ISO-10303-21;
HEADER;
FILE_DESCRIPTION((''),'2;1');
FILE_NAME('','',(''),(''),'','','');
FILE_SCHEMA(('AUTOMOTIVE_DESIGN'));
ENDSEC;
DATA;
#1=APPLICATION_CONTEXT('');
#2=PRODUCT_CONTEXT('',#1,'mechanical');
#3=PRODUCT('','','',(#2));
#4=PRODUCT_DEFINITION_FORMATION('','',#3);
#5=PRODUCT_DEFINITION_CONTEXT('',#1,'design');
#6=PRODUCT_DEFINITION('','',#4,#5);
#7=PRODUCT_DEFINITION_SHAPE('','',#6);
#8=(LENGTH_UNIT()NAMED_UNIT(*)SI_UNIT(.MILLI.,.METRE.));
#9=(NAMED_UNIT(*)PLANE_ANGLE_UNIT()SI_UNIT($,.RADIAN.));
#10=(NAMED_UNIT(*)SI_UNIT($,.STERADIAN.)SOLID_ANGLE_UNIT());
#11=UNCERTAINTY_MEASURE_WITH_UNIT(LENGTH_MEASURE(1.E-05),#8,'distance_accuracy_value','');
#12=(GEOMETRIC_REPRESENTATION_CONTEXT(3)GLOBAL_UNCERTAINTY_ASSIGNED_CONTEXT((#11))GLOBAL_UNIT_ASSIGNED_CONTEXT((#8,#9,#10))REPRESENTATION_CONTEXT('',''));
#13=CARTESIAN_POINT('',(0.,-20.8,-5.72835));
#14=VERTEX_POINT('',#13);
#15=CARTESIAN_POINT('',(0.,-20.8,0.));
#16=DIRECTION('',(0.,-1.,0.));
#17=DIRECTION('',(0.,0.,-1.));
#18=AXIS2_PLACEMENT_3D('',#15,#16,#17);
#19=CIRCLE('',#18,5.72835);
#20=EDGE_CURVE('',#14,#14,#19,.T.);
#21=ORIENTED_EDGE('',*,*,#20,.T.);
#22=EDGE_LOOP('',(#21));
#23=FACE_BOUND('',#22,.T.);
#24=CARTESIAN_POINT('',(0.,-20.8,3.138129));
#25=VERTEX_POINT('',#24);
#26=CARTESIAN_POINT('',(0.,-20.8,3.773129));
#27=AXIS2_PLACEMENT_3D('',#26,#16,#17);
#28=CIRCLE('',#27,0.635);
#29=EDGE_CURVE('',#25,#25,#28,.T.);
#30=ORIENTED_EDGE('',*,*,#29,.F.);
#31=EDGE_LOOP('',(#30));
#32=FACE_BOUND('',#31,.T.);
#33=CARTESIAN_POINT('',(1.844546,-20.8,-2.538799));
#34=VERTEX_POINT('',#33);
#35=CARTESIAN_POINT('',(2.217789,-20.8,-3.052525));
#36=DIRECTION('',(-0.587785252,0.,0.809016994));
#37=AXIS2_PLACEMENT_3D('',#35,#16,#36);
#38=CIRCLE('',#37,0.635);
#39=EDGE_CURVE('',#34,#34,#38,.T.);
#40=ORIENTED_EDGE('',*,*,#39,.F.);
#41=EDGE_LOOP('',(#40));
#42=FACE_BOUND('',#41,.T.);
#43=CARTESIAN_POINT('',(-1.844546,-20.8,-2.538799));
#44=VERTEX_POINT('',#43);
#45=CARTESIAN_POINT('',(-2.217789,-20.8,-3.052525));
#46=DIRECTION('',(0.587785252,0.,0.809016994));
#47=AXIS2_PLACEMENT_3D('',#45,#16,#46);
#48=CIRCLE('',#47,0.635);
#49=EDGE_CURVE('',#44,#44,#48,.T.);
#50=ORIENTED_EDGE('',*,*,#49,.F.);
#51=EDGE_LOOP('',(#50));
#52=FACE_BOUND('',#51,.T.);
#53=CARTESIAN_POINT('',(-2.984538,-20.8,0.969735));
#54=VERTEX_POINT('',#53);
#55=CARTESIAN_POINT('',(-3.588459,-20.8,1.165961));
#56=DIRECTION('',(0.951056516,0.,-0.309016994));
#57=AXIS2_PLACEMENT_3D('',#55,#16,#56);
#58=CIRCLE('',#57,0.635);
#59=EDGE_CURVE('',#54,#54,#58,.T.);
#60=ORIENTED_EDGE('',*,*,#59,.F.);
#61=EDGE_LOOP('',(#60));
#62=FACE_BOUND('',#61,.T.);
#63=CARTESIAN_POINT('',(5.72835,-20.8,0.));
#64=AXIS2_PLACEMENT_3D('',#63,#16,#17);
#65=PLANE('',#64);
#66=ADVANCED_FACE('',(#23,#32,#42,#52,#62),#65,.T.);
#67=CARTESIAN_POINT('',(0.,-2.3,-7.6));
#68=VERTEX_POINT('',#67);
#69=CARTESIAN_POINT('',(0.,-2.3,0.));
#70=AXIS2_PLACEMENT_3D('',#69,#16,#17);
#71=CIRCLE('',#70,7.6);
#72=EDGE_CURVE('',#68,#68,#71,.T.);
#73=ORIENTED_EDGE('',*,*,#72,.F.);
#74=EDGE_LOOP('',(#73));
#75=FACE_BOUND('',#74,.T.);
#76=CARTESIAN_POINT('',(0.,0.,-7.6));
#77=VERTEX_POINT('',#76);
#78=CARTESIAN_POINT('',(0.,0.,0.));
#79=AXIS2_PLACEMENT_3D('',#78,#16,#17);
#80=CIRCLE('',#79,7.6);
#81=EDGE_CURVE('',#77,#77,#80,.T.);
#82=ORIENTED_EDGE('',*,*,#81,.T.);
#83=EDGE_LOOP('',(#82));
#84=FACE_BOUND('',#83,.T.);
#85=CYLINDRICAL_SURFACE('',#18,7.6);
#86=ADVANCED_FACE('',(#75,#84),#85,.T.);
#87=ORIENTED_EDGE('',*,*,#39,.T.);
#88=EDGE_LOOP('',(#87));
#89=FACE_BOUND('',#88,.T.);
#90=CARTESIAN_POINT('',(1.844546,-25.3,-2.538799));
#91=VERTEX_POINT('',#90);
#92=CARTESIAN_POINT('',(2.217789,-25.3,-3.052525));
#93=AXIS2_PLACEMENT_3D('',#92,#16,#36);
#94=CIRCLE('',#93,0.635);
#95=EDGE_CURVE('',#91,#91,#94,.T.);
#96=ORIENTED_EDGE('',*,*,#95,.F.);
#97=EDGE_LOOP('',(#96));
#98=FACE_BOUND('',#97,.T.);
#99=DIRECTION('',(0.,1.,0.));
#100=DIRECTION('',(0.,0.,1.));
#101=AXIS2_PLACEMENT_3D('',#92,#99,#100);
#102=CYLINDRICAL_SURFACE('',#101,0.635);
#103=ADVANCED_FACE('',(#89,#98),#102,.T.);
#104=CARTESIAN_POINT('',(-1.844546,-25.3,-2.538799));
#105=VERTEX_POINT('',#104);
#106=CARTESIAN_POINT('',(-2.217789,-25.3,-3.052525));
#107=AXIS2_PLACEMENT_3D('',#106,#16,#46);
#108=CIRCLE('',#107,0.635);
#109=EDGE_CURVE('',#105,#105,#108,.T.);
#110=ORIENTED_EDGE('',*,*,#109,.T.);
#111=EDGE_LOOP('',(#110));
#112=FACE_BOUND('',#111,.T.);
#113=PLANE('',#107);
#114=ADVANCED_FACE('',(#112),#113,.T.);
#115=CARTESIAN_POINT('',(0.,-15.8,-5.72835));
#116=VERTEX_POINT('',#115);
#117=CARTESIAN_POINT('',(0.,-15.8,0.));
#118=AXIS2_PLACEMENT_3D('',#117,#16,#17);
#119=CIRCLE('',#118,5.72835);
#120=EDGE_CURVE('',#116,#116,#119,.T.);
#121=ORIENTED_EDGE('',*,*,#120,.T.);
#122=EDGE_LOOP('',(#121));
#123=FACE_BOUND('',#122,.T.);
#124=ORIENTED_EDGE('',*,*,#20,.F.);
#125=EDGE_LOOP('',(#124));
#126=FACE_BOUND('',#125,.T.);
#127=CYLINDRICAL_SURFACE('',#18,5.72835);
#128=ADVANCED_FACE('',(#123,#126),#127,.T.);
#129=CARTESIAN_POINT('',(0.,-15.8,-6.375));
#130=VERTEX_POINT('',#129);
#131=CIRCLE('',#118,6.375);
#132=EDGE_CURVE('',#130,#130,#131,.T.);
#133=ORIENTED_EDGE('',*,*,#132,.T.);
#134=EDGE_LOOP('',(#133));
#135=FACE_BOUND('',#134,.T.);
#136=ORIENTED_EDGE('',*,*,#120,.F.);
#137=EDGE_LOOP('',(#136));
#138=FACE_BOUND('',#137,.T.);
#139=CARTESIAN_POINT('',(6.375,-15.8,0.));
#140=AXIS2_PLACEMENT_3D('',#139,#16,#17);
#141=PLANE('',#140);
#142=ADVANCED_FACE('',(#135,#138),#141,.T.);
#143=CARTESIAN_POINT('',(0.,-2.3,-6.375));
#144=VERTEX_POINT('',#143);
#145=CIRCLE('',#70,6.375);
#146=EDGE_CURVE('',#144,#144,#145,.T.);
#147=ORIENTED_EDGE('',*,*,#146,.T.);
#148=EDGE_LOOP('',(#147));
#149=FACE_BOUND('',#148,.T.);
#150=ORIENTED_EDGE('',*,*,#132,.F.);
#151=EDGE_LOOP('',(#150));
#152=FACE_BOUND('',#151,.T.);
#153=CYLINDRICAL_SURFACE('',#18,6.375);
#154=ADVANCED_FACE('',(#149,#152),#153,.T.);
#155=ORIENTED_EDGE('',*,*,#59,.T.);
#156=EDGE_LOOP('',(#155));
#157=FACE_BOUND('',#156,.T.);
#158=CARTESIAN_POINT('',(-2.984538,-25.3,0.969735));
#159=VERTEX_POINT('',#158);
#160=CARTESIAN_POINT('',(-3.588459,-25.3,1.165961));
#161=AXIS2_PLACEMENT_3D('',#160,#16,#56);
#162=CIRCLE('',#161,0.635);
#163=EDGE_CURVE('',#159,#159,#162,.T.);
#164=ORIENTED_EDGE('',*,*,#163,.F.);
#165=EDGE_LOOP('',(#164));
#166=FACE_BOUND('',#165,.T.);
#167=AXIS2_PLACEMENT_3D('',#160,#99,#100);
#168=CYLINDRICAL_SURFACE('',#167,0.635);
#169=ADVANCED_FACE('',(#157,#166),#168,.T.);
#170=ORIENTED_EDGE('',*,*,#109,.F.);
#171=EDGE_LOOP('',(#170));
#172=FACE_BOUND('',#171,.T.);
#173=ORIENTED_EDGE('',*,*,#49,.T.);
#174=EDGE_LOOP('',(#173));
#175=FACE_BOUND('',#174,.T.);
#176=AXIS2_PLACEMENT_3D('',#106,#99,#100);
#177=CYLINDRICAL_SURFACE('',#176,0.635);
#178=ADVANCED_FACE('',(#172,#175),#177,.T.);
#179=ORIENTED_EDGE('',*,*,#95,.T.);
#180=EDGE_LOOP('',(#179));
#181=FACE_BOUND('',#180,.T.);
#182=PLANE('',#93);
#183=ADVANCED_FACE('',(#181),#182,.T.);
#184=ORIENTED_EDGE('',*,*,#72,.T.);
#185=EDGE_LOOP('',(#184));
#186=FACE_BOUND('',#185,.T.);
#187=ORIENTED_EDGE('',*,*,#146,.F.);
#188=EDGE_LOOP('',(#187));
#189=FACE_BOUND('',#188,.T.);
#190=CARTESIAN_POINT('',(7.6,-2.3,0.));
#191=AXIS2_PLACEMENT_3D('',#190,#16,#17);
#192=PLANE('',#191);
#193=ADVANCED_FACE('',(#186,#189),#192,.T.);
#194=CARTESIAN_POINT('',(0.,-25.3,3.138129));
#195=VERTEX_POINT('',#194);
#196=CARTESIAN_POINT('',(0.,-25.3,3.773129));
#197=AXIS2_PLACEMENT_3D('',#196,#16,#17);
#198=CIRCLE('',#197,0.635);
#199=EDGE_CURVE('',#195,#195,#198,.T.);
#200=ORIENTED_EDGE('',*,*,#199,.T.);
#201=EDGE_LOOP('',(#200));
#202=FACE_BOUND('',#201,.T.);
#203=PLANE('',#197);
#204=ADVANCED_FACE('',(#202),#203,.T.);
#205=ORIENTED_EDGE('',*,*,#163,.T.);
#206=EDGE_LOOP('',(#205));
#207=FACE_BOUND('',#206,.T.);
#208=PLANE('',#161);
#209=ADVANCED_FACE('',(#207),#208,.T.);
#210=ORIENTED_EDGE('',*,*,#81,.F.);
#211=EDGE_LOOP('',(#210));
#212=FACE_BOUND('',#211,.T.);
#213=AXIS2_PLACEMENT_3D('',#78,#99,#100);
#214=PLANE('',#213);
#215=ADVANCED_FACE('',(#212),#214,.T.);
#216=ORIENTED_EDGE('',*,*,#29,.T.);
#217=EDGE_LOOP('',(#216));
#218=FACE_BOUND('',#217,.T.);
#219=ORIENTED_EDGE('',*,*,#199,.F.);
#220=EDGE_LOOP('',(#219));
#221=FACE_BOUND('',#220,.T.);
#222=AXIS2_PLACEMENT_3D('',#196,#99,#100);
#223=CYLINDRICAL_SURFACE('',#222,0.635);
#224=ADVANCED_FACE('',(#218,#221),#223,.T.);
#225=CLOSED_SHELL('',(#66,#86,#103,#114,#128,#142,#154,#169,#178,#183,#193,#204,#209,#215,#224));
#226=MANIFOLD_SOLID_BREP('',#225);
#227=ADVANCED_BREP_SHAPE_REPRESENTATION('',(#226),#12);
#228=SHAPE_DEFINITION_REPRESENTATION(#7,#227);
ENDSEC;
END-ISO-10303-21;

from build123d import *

# Parameters (mm, degrees)
SKETCH2_R           = 0.635
BOSS_EXTRUDE1_DEPTH = 4.5
CIRPATTERN1_COUNT   = 4
CIRPATTERN1_ANGLE   = 216


with BuildPart() as part:
    # Sketch1 → Revolve1 (revolve)
    with BuildSketch(Plane.XY, mode=Mode.PRIVATE) as revolve1_sk:
        Polygon((0, 0), (7.6, 0), (7.6, -2.3), (6.375, -2.3), (6.375, -15.8), (5.728350463, -15.8), (5.728350463, -20.8), (0, -20.8), align=None)
    revolve(revolve1_sk.sketch.rotate(Axis((0, -20.8, 0), (0, 1, 0)), 90), axis=Axis((0, -20.8, 0), (0, 1, 0)))

    # Sketch2 → Boss-Extrude1 (add)
    with BuildSketch(Plane.XZ.offset(20.8)):
        with Locations(Location((0, 3.773128742, 0), (0, 0, 270))):
            Circle(SKETCH2_R)
    boss_extrude1 = extrude(amount=BOSS_EXTRUDE1_DEPTH)

    # CirPattern1: Boss-Extrude1 ×4 about axis
    cirpattern1_axis = Axis((0, 0, 0), (0, -1, 0))
    for i in range(1, CIRPATTERN1_COUNT):
        add(boss_extrude1.rotate(cirpattern1_axis, i * CIRPATTERN1_ANGLE / (CIRPATTERN1_COUNT - 1)))


solid = part.part
